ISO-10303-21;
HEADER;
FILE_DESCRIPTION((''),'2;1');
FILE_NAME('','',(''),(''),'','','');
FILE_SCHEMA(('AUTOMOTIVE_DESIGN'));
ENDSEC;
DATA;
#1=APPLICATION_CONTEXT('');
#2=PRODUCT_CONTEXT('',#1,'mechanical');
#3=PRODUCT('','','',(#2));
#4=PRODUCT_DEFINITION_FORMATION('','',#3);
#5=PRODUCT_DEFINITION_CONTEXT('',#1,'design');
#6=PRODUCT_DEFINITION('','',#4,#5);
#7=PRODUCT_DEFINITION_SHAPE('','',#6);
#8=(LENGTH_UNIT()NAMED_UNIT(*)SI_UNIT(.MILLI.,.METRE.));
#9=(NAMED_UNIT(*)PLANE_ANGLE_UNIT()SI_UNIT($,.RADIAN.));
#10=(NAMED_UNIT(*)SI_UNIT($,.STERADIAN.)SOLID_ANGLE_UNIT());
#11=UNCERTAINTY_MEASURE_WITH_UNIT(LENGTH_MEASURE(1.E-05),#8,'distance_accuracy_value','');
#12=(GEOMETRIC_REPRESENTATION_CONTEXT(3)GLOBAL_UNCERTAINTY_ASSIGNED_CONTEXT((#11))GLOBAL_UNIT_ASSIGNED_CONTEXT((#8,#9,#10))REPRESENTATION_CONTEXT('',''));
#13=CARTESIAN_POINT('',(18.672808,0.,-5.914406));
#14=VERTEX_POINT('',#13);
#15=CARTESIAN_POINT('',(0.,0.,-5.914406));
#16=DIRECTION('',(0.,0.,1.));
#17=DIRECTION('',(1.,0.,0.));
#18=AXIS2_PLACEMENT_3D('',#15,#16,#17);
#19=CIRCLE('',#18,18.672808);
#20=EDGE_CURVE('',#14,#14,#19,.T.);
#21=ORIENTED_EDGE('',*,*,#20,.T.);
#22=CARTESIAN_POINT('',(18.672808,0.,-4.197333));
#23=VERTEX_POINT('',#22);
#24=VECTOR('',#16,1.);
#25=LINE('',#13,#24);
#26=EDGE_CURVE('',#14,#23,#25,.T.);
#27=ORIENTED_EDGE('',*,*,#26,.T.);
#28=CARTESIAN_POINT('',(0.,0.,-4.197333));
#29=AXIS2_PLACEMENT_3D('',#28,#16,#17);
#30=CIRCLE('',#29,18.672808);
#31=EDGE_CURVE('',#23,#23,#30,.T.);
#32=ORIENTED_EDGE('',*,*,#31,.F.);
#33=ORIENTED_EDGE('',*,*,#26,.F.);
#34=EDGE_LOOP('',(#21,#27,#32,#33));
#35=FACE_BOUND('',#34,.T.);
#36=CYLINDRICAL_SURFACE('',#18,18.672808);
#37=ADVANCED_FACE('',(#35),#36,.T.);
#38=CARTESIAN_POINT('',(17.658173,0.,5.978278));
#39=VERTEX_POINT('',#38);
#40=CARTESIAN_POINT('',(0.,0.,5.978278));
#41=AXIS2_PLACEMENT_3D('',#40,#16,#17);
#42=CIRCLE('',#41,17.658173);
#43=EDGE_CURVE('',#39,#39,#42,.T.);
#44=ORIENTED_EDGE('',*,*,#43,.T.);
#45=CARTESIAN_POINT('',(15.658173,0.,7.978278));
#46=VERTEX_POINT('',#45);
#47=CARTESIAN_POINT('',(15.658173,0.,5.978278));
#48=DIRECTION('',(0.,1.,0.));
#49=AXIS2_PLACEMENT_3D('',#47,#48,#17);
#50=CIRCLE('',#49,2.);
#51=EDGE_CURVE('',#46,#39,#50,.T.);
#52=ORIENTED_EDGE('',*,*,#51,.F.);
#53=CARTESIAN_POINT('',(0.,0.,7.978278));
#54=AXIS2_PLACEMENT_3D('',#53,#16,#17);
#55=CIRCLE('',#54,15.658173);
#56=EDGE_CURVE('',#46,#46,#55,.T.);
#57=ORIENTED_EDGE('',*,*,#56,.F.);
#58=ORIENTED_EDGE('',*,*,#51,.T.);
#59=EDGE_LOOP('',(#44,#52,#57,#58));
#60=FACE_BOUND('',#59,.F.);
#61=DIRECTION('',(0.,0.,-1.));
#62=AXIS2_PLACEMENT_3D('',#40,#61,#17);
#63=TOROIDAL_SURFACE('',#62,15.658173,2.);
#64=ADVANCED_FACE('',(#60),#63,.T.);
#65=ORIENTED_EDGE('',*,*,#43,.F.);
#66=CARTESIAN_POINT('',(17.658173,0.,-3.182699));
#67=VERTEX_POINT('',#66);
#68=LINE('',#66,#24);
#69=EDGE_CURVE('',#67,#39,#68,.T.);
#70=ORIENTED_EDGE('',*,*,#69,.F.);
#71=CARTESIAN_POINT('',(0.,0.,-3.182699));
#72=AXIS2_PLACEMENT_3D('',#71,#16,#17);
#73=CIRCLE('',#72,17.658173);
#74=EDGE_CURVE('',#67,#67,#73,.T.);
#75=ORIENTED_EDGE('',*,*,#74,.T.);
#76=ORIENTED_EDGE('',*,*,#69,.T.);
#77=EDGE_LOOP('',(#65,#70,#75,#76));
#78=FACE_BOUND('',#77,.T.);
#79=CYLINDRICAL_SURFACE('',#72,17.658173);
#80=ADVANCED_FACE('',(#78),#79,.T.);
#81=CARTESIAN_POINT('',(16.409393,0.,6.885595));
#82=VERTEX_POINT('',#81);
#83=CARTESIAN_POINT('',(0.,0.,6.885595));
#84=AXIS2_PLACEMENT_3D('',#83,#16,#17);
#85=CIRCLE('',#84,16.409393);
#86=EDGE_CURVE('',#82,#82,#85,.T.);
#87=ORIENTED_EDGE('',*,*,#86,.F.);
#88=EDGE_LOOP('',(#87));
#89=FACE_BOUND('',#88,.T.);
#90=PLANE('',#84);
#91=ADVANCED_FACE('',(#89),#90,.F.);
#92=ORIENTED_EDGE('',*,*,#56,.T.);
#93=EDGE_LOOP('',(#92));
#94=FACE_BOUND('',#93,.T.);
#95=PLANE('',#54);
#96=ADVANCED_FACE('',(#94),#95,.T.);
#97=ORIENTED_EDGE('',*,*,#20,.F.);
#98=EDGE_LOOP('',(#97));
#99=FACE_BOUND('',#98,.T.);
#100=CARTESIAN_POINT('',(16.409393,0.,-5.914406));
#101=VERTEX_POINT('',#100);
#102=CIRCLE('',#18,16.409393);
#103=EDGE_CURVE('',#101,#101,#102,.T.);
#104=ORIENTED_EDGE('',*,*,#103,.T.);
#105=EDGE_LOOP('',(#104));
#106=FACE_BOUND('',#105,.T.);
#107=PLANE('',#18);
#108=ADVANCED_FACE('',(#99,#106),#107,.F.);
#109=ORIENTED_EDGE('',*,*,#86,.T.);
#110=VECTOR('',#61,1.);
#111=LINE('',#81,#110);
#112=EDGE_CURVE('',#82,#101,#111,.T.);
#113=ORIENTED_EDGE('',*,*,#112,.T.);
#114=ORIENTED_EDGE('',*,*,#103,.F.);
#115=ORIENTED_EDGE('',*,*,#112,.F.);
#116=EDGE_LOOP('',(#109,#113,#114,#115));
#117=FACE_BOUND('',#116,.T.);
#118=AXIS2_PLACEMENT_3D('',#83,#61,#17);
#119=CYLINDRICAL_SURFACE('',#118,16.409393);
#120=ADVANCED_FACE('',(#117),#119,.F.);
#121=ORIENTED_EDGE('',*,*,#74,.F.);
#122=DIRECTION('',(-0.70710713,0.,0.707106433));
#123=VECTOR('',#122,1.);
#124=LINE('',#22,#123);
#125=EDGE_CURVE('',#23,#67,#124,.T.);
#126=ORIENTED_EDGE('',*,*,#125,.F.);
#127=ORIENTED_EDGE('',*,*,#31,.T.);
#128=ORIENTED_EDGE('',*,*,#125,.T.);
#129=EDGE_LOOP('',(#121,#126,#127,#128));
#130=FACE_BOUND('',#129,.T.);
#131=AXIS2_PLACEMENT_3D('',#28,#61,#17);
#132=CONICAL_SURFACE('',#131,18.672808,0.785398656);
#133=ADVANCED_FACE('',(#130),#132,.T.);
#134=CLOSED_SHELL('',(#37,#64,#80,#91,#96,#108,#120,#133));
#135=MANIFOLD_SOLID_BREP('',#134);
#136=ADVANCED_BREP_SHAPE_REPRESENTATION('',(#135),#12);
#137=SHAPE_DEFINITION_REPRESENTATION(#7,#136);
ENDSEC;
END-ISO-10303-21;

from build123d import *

# Parameters (mm, degrees)
F2_R = 2


with BuildPart() as f1:
    # F0 (on Front) → F1 (revolve)
    with BuildSketch(Plane.XZ):
        Polygon((17.658173, 7.978278), (1.658173, 7.978278), (0, 7.978278), (0, 6.885595), (1.502076, 6.885595), (16.409393, 6.885595), (16.409393, -5.914406), (18.672808, -5.914406), (18.672808, -4.197333), (17.658173, -3.182699), align=None)
    revolve(axis=Axis((0, 0, 7.431936), (0, 0, 1)))

    # F2
    f2_edges = [f1.edges().sort_by_distance(p)[0] for p in [
        (-17.658173, 0, 7.978278),
    ]]
    fillet(f2_edges, radius=F2_R)


solid = f1.part
